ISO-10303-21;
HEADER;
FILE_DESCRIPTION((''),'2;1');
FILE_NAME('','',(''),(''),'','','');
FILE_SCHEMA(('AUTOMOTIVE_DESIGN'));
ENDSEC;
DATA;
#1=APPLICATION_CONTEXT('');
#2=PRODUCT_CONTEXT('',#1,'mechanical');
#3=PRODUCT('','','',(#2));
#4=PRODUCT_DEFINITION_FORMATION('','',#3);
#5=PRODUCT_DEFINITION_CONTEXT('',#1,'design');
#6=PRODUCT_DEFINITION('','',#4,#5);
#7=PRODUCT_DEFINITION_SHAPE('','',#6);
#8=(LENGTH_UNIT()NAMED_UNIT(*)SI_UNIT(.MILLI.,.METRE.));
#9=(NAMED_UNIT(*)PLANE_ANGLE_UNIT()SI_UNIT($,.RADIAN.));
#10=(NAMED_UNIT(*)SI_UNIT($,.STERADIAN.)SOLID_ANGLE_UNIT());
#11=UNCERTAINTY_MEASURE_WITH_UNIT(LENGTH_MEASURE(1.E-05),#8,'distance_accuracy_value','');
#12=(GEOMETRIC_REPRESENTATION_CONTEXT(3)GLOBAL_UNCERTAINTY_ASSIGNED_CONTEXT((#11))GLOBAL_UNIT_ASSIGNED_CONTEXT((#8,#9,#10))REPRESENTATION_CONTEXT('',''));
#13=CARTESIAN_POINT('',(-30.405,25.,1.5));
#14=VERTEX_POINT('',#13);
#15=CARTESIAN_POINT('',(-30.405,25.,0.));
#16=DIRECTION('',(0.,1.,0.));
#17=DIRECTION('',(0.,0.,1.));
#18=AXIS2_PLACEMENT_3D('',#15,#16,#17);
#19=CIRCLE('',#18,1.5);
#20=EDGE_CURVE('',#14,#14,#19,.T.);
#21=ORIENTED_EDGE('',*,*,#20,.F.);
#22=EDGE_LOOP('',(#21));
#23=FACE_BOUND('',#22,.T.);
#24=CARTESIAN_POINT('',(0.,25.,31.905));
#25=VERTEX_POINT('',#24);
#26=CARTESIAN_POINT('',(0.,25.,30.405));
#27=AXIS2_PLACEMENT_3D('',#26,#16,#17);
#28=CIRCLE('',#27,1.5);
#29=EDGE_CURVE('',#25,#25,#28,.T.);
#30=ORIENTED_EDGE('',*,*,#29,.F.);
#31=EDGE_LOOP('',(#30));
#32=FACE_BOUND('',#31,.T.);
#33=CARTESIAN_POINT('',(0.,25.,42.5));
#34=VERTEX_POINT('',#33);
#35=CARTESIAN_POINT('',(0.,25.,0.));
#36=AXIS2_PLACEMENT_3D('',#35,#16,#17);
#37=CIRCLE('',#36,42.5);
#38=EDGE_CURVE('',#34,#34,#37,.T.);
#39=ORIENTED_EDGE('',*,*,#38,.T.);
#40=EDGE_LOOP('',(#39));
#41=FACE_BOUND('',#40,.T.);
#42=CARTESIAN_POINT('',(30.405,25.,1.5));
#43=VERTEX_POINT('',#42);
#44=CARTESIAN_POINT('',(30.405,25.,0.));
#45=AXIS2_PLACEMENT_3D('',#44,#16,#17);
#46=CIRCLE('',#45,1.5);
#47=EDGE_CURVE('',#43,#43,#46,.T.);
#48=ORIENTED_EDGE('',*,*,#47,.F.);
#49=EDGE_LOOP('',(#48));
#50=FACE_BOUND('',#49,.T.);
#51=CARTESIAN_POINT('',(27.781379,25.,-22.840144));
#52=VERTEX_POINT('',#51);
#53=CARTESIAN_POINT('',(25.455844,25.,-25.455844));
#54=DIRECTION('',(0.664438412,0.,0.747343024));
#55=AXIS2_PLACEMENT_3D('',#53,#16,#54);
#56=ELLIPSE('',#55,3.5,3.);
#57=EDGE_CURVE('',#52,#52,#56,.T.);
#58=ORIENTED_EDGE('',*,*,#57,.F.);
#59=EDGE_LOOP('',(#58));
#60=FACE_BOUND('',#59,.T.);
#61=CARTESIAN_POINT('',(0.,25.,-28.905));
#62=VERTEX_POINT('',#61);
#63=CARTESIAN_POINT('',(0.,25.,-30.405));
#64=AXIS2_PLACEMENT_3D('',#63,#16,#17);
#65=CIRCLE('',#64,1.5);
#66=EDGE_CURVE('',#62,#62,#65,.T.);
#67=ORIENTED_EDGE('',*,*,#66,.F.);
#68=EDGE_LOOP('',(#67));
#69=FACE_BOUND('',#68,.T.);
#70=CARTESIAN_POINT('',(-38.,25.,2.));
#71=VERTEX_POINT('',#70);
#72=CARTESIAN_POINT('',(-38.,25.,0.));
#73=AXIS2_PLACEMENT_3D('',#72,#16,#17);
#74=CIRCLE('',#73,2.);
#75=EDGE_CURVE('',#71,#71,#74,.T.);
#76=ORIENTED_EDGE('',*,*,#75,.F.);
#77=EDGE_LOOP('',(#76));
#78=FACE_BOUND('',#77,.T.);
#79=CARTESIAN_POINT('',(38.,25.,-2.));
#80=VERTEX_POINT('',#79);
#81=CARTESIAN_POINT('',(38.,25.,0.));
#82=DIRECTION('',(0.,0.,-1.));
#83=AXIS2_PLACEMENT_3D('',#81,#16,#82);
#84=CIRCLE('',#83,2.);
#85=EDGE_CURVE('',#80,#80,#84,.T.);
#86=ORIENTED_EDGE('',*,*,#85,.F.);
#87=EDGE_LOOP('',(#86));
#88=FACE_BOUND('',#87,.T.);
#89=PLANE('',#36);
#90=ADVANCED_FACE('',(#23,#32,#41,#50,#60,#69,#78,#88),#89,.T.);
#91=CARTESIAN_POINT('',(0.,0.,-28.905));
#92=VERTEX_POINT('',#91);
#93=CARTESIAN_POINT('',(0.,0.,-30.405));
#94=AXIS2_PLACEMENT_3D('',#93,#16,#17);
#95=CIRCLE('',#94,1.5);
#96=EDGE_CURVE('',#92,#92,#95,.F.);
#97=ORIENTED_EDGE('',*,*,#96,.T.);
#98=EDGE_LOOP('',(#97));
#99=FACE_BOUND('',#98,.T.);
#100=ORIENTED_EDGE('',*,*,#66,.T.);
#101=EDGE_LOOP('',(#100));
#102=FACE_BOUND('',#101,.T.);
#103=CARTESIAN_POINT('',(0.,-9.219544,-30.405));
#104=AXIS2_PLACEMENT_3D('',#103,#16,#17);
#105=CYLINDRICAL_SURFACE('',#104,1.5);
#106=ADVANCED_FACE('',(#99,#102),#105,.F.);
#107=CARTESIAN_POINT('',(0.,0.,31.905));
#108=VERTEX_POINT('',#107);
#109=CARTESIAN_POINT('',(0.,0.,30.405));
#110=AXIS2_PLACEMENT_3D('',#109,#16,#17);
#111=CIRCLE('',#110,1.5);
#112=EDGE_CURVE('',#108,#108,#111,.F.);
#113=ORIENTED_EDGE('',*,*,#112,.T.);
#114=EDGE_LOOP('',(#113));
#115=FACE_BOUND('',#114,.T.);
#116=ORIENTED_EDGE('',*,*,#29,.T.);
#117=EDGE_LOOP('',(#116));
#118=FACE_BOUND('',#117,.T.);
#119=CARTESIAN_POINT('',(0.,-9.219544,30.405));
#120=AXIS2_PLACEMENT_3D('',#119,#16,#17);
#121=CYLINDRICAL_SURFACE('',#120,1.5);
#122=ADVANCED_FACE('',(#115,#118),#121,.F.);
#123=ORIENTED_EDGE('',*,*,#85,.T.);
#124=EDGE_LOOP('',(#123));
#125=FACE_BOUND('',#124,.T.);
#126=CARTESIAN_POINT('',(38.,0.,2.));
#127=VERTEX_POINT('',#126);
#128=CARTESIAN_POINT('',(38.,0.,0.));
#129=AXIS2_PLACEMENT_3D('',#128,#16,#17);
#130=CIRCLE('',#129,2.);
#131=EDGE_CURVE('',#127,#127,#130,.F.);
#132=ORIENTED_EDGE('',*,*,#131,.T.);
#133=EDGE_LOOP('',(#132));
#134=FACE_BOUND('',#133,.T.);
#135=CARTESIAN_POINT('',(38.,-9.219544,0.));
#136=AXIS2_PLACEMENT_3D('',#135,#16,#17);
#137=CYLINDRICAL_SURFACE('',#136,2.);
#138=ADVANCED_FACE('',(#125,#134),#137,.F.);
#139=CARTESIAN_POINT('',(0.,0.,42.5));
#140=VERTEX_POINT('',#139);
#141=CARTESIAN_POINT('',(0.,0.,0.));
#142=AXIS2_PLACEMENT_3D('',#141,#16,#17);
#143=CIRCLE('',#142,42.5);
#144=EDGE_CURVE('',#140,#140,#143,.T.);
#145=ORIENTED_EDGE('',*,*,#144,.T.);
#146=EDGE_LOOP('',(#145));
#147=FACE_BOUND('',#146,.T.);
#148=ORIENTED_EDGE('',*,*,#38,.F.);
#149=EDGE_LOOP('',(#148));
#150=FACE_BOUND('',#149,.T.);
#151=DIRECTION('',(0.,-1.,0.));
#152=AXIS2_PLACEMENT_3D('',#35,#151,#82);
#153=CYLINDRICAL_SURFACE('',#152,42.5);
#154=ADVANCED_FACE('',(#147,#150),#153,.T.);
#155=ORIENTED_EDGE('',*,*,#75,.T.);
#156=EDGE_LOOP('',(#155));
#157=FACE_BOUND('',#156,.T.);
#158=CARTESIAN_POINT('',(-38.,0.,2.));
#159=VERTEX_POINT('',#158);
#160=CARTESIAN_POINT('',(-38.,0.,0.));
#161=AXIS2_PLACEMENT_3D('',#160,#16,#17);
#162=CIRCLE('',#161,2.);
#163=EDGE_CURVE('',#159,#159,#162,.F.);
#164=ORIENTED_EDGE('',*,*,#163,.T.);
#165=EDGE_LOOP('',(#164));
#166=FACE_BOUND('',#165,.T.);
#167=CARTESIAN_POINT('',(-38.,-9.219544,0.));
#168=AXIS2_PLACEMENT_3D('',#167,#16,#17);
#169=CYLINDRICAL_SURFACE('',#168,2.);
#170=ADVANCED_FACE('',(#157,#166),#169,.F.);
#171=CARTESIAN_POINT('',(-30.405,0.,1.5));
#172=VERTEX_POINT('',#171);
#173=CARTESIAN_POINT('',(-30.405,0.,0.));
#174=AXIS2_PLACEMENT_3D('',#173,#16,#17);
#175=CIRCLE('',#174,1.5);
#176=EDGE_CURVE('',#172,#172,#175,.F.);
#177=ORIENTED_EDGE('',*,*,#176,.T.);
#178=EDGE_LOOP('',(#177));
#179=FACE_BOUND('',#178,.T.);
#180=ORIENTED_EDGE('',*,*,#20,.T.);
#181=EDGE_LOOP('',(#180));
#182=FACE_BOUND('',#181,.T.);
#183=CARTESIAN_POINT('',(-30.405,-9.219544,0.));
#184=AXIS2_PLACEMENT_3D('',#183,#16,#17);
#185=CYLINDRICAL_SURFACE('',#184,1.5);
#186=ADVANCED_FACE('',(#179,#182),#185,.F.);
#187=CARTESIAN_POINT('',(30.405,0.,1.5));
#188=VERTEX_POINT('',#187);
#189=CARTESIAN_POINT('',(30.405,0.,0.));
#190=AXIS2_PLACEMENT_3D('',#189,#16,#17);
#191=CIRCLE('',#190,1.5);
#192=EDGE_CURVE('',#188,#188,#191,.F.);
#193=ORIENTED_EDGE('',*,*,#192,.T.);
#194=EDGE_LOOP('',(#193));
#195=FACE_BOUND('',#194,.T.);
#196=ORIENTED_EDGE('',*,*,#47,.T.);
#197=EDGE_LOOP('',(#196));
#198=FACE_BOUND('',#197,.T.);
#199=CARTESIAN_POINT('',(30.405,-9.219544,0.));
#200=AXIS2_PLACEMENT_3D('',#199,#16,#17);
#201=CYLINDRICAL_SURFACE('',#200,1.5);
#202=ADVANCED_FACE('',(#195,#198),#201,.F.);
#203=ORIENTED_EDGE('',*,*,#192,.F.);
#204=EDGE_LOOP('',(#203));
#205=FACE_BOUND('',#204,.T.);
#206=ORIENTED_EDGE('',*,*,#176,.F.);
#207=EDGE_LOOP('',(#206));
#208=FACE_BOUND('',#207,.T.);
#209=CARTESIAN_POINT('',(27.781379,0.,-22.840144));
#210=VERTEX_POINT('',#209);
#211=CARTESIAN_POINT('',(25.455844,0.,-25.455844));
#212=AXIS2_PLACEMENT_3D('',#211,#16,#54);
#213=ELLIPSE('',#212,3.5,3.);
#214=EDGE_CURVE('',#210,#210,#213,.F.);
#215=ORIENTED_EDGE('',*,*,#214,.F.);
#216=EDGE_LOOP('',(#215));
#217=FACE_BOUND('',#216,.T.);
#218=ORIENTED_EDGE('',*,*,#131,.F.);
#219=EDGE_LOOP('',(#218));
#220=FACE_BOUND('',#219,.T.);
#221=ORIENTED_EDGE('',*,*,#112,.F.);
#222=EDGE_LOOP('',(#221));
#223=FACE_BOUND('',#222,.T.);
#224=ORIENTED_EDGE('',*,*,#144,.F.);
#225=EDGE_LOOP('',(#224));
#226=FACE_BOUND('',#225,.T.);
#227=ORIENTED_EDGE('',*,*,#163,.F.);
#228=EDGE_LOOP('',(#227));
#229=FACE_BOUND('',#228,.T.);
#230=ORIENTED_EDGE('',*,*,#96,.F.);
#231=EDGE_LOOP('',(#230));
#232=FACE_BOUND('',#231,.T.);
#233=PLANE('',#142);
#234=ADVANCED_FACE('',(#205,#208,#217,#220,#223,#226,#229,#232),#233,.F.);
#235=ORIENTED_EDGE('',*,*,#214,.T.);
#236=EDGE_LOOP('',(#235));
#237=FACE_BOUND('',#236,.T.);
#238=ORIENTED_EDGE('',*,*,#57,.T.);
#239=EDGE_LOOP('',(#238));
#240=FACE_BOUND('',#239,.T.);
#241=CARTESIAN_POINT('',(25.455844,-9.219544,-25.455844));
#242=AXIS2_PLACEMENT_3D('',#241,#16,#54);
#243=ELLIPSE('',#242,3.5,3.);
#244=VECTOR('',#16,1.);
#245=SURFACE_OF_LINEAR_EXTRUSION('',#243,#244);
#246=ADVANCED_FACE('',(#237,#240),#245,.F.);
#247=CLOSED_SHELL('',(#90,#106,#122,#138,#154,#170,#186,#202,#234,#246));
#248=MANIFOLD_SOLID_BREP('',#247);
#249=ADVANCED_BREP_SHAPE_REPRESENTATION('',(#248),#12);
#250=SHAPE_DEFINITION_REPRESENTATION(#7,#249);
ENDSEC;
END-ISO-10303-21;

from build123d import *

# Parameters (mm, degrees)
CROQUIS1_R              = 42.5
SALIENTE_EXTRUIR1_DEPTH = 25
CROQUIS2_R              = 1.5
CROQUIS2_R_2            = 2
CROQUIS2_RX             = 3.5
CROQUIS2_RY             = 3
CORTAR_EXTRUIR1_DEPTH   = 25


with BuildPart() as part:
    # Croquis1 → Saliente-Extruir1 (new body)
    with BuildSketch(Plane(origin=(0, 0, 0), x_dir=(1, 0, 0), z_dir=(0, 1, 0))):
        with Locations(Location((0, 0, 0), (0, 0, 270))):
            Circle(CROQUIS1_R)
    extrude(amount=SALIENTE_EXTRUIR1_DEPTH)

    # Croquis2 → Cortar-Extruir1 (cut)
    with BuildSketch(Plane(origin=(0, 25, 0), x_dir=(1, 0, 0), z_dir=(0, 1, 0))):
        with Locations(Location((0, 30.405, 0), (0, 0, 270))):
            Circle(CROQUIS2_R)
        with Locations(Location((30.405, 0, 0), (0, 0, 270))):
            Circle(CROQUIS2_R)
        with Locations(Location((0, -30.405, 0), (0, 0, 270))):
            Circle(CROQUIS2_R)
        with Locations(Location((-30.405, 0, 0), (0, 0, 270))):
            Circle(CROQUIS2_R)
        with Locations(Location((-38, 0, 0), (0, 0, 270))):
            Circle(CROQUIS2_R_2)
        with Locations(Location((38, 0, 0), (0, 0, 270))):
            Circle(CROQUIS2_R_2)
        with Locations(Location((25.455844123, 25.455844123), (0, 0, -48.360743663))):
            Ellipse(CROQUIS2_RX, CROQUIS2_RY)
    extrude(amount=-CORTAR_EXTRUIR1_DEPTH, mode=Mode.SUBTRACT)


solid = part.part
